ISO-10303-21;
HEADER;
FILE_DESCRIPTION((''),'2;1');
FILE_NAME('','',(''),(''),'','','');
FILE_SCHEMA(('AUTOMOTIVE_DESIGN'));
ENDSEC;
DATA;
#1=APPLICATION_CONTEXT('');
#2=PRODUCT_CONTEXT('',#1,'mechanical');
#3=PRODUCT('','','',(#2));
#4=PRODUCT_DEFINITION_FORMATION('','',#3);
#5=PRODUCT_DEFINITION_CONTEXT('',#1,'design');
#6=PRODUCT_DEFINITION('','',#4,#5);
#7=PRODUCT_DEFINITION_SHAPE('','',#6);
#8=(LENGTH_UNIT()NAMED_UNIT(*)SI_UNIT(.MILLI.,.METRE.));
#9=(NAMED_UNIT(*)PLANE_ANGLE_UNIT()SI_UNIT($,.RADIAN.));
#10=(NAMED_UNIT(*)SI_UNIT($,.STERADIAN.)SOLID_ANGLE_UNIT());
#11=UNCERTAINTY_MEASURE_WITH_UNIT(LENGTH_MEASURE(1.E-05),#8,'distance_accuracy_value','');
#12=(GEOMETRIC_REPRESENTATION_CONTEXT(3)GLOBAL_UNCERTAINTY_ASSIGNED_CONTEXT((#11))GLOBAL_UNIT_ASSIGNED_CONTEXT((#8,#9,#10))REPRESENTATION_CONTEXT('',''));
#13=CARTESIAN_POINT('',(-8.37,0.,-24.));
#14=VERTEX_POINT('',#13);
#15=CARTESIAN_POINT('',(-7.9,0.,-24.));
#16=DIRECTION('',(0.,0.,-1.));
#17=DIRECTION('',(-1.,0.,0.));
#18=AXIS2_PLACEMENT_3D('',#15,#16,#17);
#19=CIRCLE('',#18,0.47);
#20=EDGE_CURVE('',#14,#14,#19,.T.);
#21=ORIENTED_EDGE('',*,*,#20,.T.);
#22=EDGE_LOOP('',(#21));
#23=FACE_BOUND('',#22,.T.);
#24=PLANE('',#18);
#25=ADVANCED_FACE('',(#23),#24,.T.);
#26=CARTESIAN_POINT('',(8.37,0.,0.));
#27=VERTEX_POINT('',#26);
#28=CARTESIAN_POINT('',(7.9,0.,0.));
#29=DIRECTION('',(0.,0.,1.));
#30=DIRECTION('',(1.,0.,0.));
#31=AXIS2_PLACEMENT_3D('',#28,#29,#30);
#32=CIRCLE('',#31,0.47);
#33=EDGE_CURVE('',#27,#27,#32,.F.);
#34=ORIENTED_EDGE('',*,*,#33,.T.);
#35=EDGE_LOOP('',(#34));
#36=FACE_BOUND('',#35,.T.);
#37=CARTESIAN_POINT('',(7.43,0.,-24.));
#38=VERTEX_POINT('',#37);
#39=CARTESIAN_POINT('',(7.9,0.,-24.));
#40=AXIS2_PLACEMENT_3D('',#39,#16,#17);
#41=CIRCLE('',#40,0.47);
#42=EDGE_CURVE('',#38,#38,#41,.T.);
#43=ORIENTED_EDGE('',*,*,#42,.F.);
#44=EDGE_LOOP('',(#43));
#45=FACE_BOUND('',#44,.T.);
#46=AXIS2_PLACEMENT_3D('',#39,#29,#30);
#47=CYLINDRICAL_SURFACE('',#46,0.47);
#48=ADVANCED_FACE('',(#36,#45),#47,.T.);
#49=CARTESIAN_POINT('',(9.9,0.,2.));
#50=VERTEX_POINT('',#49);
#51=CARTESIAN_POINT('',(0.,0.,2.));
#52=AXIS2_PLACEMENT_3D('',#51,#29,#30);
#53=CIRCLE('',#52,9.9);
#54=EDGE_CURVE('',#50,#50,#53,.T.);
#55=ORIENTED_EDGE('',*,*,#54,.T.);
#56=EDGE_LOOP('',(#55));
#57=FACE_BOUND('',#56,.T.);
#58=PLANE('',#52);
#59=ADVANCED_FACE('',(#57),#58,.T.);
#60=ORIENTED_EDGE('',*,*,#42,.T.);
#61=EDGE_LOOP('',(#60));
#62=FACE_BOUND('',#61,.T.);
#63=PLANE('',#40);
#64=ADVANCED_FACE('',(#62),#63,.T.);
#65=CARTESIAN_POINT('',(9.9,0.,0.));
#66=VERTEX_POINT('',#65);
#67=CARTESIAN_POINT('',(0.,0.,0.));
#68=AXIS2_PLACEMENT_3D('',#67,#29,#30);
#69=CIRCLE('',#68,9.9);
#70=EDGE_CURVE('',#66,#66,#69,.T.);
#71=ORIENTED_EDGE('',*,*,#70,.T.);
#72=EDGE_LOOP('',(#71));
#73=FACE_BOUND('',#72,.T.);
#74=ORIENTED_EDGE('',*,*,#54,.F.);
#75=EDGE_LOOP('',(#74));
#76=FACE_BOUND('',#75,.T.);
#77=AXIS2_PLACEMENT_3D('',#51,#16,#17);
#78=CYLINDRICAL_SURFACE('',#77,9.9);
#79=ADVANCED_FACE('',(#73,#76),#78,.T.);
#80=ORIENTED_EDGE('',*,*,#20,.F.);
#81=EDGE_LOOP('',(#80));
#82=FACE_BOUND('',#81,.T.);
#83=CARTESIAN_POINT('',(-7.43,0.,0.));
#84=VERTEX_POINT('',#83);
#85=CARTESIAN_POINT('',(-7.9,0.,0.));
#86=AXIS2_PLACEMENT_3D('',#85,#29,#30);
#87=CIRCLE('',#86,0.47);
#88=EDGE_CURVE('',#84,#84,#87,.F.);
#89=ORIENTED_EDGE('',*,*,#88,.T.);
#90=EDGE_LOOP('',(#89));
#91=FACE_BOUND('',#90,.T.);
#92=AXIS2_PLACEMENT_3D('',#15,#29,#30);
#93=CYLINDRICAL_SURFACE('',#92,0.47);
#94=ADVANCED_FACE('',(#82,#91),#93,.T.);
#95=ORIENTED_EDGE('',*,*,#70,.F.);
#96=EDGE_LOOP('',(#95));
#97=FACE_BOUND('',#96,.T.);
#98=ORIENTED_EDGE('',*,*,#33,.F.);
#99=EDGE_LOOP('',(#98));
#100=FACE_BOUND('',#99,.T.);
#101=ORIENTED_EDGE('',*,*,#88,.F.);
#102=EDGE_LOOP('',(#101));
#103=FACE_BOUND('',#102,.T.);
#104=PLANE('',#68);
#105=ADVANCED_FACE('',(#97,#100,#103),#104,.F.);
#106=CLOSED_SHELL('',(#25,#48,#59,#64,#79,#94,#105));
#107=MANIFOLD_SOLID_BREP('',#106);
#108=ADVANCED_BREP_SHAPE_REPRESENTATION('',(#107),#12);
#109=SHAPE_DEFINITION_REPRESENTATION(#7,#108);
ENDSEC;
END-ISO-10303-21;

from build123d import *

# Parameters (mm, degrees)
SKETCH1_R           = 9.9
BOSS_EXTRUDE1_DEPTH = 2
SKETCH2_R           = 0.47
BOSS_EXTRUDE2_DEPTH = 24


with BuildPart() as part:
    # Sketch1 → Boss-Extrude1 (new body)
    with BuildSketch(Plane.XY):
        Circle(SKETCH1_R)
    extrude(amount=BOSS_EXTRUDE1_DEPTH)

    # Sketch2 → Boss-Extrude2 (add)
    with BuildSketch(Plane(origin=(0, 0, 0), x_dir=(-1, 0, 0), z_dir=(0, 0, -1))):
        with Locations((-7.9, 0)):
            Circle(SKETCH2_R)
        with Locations((7.9, 0)):
            Circle(SKETCH2_R)
    extrude(amount=BOSS_EXTRUDE2_DEPTH)


solid = part.part
